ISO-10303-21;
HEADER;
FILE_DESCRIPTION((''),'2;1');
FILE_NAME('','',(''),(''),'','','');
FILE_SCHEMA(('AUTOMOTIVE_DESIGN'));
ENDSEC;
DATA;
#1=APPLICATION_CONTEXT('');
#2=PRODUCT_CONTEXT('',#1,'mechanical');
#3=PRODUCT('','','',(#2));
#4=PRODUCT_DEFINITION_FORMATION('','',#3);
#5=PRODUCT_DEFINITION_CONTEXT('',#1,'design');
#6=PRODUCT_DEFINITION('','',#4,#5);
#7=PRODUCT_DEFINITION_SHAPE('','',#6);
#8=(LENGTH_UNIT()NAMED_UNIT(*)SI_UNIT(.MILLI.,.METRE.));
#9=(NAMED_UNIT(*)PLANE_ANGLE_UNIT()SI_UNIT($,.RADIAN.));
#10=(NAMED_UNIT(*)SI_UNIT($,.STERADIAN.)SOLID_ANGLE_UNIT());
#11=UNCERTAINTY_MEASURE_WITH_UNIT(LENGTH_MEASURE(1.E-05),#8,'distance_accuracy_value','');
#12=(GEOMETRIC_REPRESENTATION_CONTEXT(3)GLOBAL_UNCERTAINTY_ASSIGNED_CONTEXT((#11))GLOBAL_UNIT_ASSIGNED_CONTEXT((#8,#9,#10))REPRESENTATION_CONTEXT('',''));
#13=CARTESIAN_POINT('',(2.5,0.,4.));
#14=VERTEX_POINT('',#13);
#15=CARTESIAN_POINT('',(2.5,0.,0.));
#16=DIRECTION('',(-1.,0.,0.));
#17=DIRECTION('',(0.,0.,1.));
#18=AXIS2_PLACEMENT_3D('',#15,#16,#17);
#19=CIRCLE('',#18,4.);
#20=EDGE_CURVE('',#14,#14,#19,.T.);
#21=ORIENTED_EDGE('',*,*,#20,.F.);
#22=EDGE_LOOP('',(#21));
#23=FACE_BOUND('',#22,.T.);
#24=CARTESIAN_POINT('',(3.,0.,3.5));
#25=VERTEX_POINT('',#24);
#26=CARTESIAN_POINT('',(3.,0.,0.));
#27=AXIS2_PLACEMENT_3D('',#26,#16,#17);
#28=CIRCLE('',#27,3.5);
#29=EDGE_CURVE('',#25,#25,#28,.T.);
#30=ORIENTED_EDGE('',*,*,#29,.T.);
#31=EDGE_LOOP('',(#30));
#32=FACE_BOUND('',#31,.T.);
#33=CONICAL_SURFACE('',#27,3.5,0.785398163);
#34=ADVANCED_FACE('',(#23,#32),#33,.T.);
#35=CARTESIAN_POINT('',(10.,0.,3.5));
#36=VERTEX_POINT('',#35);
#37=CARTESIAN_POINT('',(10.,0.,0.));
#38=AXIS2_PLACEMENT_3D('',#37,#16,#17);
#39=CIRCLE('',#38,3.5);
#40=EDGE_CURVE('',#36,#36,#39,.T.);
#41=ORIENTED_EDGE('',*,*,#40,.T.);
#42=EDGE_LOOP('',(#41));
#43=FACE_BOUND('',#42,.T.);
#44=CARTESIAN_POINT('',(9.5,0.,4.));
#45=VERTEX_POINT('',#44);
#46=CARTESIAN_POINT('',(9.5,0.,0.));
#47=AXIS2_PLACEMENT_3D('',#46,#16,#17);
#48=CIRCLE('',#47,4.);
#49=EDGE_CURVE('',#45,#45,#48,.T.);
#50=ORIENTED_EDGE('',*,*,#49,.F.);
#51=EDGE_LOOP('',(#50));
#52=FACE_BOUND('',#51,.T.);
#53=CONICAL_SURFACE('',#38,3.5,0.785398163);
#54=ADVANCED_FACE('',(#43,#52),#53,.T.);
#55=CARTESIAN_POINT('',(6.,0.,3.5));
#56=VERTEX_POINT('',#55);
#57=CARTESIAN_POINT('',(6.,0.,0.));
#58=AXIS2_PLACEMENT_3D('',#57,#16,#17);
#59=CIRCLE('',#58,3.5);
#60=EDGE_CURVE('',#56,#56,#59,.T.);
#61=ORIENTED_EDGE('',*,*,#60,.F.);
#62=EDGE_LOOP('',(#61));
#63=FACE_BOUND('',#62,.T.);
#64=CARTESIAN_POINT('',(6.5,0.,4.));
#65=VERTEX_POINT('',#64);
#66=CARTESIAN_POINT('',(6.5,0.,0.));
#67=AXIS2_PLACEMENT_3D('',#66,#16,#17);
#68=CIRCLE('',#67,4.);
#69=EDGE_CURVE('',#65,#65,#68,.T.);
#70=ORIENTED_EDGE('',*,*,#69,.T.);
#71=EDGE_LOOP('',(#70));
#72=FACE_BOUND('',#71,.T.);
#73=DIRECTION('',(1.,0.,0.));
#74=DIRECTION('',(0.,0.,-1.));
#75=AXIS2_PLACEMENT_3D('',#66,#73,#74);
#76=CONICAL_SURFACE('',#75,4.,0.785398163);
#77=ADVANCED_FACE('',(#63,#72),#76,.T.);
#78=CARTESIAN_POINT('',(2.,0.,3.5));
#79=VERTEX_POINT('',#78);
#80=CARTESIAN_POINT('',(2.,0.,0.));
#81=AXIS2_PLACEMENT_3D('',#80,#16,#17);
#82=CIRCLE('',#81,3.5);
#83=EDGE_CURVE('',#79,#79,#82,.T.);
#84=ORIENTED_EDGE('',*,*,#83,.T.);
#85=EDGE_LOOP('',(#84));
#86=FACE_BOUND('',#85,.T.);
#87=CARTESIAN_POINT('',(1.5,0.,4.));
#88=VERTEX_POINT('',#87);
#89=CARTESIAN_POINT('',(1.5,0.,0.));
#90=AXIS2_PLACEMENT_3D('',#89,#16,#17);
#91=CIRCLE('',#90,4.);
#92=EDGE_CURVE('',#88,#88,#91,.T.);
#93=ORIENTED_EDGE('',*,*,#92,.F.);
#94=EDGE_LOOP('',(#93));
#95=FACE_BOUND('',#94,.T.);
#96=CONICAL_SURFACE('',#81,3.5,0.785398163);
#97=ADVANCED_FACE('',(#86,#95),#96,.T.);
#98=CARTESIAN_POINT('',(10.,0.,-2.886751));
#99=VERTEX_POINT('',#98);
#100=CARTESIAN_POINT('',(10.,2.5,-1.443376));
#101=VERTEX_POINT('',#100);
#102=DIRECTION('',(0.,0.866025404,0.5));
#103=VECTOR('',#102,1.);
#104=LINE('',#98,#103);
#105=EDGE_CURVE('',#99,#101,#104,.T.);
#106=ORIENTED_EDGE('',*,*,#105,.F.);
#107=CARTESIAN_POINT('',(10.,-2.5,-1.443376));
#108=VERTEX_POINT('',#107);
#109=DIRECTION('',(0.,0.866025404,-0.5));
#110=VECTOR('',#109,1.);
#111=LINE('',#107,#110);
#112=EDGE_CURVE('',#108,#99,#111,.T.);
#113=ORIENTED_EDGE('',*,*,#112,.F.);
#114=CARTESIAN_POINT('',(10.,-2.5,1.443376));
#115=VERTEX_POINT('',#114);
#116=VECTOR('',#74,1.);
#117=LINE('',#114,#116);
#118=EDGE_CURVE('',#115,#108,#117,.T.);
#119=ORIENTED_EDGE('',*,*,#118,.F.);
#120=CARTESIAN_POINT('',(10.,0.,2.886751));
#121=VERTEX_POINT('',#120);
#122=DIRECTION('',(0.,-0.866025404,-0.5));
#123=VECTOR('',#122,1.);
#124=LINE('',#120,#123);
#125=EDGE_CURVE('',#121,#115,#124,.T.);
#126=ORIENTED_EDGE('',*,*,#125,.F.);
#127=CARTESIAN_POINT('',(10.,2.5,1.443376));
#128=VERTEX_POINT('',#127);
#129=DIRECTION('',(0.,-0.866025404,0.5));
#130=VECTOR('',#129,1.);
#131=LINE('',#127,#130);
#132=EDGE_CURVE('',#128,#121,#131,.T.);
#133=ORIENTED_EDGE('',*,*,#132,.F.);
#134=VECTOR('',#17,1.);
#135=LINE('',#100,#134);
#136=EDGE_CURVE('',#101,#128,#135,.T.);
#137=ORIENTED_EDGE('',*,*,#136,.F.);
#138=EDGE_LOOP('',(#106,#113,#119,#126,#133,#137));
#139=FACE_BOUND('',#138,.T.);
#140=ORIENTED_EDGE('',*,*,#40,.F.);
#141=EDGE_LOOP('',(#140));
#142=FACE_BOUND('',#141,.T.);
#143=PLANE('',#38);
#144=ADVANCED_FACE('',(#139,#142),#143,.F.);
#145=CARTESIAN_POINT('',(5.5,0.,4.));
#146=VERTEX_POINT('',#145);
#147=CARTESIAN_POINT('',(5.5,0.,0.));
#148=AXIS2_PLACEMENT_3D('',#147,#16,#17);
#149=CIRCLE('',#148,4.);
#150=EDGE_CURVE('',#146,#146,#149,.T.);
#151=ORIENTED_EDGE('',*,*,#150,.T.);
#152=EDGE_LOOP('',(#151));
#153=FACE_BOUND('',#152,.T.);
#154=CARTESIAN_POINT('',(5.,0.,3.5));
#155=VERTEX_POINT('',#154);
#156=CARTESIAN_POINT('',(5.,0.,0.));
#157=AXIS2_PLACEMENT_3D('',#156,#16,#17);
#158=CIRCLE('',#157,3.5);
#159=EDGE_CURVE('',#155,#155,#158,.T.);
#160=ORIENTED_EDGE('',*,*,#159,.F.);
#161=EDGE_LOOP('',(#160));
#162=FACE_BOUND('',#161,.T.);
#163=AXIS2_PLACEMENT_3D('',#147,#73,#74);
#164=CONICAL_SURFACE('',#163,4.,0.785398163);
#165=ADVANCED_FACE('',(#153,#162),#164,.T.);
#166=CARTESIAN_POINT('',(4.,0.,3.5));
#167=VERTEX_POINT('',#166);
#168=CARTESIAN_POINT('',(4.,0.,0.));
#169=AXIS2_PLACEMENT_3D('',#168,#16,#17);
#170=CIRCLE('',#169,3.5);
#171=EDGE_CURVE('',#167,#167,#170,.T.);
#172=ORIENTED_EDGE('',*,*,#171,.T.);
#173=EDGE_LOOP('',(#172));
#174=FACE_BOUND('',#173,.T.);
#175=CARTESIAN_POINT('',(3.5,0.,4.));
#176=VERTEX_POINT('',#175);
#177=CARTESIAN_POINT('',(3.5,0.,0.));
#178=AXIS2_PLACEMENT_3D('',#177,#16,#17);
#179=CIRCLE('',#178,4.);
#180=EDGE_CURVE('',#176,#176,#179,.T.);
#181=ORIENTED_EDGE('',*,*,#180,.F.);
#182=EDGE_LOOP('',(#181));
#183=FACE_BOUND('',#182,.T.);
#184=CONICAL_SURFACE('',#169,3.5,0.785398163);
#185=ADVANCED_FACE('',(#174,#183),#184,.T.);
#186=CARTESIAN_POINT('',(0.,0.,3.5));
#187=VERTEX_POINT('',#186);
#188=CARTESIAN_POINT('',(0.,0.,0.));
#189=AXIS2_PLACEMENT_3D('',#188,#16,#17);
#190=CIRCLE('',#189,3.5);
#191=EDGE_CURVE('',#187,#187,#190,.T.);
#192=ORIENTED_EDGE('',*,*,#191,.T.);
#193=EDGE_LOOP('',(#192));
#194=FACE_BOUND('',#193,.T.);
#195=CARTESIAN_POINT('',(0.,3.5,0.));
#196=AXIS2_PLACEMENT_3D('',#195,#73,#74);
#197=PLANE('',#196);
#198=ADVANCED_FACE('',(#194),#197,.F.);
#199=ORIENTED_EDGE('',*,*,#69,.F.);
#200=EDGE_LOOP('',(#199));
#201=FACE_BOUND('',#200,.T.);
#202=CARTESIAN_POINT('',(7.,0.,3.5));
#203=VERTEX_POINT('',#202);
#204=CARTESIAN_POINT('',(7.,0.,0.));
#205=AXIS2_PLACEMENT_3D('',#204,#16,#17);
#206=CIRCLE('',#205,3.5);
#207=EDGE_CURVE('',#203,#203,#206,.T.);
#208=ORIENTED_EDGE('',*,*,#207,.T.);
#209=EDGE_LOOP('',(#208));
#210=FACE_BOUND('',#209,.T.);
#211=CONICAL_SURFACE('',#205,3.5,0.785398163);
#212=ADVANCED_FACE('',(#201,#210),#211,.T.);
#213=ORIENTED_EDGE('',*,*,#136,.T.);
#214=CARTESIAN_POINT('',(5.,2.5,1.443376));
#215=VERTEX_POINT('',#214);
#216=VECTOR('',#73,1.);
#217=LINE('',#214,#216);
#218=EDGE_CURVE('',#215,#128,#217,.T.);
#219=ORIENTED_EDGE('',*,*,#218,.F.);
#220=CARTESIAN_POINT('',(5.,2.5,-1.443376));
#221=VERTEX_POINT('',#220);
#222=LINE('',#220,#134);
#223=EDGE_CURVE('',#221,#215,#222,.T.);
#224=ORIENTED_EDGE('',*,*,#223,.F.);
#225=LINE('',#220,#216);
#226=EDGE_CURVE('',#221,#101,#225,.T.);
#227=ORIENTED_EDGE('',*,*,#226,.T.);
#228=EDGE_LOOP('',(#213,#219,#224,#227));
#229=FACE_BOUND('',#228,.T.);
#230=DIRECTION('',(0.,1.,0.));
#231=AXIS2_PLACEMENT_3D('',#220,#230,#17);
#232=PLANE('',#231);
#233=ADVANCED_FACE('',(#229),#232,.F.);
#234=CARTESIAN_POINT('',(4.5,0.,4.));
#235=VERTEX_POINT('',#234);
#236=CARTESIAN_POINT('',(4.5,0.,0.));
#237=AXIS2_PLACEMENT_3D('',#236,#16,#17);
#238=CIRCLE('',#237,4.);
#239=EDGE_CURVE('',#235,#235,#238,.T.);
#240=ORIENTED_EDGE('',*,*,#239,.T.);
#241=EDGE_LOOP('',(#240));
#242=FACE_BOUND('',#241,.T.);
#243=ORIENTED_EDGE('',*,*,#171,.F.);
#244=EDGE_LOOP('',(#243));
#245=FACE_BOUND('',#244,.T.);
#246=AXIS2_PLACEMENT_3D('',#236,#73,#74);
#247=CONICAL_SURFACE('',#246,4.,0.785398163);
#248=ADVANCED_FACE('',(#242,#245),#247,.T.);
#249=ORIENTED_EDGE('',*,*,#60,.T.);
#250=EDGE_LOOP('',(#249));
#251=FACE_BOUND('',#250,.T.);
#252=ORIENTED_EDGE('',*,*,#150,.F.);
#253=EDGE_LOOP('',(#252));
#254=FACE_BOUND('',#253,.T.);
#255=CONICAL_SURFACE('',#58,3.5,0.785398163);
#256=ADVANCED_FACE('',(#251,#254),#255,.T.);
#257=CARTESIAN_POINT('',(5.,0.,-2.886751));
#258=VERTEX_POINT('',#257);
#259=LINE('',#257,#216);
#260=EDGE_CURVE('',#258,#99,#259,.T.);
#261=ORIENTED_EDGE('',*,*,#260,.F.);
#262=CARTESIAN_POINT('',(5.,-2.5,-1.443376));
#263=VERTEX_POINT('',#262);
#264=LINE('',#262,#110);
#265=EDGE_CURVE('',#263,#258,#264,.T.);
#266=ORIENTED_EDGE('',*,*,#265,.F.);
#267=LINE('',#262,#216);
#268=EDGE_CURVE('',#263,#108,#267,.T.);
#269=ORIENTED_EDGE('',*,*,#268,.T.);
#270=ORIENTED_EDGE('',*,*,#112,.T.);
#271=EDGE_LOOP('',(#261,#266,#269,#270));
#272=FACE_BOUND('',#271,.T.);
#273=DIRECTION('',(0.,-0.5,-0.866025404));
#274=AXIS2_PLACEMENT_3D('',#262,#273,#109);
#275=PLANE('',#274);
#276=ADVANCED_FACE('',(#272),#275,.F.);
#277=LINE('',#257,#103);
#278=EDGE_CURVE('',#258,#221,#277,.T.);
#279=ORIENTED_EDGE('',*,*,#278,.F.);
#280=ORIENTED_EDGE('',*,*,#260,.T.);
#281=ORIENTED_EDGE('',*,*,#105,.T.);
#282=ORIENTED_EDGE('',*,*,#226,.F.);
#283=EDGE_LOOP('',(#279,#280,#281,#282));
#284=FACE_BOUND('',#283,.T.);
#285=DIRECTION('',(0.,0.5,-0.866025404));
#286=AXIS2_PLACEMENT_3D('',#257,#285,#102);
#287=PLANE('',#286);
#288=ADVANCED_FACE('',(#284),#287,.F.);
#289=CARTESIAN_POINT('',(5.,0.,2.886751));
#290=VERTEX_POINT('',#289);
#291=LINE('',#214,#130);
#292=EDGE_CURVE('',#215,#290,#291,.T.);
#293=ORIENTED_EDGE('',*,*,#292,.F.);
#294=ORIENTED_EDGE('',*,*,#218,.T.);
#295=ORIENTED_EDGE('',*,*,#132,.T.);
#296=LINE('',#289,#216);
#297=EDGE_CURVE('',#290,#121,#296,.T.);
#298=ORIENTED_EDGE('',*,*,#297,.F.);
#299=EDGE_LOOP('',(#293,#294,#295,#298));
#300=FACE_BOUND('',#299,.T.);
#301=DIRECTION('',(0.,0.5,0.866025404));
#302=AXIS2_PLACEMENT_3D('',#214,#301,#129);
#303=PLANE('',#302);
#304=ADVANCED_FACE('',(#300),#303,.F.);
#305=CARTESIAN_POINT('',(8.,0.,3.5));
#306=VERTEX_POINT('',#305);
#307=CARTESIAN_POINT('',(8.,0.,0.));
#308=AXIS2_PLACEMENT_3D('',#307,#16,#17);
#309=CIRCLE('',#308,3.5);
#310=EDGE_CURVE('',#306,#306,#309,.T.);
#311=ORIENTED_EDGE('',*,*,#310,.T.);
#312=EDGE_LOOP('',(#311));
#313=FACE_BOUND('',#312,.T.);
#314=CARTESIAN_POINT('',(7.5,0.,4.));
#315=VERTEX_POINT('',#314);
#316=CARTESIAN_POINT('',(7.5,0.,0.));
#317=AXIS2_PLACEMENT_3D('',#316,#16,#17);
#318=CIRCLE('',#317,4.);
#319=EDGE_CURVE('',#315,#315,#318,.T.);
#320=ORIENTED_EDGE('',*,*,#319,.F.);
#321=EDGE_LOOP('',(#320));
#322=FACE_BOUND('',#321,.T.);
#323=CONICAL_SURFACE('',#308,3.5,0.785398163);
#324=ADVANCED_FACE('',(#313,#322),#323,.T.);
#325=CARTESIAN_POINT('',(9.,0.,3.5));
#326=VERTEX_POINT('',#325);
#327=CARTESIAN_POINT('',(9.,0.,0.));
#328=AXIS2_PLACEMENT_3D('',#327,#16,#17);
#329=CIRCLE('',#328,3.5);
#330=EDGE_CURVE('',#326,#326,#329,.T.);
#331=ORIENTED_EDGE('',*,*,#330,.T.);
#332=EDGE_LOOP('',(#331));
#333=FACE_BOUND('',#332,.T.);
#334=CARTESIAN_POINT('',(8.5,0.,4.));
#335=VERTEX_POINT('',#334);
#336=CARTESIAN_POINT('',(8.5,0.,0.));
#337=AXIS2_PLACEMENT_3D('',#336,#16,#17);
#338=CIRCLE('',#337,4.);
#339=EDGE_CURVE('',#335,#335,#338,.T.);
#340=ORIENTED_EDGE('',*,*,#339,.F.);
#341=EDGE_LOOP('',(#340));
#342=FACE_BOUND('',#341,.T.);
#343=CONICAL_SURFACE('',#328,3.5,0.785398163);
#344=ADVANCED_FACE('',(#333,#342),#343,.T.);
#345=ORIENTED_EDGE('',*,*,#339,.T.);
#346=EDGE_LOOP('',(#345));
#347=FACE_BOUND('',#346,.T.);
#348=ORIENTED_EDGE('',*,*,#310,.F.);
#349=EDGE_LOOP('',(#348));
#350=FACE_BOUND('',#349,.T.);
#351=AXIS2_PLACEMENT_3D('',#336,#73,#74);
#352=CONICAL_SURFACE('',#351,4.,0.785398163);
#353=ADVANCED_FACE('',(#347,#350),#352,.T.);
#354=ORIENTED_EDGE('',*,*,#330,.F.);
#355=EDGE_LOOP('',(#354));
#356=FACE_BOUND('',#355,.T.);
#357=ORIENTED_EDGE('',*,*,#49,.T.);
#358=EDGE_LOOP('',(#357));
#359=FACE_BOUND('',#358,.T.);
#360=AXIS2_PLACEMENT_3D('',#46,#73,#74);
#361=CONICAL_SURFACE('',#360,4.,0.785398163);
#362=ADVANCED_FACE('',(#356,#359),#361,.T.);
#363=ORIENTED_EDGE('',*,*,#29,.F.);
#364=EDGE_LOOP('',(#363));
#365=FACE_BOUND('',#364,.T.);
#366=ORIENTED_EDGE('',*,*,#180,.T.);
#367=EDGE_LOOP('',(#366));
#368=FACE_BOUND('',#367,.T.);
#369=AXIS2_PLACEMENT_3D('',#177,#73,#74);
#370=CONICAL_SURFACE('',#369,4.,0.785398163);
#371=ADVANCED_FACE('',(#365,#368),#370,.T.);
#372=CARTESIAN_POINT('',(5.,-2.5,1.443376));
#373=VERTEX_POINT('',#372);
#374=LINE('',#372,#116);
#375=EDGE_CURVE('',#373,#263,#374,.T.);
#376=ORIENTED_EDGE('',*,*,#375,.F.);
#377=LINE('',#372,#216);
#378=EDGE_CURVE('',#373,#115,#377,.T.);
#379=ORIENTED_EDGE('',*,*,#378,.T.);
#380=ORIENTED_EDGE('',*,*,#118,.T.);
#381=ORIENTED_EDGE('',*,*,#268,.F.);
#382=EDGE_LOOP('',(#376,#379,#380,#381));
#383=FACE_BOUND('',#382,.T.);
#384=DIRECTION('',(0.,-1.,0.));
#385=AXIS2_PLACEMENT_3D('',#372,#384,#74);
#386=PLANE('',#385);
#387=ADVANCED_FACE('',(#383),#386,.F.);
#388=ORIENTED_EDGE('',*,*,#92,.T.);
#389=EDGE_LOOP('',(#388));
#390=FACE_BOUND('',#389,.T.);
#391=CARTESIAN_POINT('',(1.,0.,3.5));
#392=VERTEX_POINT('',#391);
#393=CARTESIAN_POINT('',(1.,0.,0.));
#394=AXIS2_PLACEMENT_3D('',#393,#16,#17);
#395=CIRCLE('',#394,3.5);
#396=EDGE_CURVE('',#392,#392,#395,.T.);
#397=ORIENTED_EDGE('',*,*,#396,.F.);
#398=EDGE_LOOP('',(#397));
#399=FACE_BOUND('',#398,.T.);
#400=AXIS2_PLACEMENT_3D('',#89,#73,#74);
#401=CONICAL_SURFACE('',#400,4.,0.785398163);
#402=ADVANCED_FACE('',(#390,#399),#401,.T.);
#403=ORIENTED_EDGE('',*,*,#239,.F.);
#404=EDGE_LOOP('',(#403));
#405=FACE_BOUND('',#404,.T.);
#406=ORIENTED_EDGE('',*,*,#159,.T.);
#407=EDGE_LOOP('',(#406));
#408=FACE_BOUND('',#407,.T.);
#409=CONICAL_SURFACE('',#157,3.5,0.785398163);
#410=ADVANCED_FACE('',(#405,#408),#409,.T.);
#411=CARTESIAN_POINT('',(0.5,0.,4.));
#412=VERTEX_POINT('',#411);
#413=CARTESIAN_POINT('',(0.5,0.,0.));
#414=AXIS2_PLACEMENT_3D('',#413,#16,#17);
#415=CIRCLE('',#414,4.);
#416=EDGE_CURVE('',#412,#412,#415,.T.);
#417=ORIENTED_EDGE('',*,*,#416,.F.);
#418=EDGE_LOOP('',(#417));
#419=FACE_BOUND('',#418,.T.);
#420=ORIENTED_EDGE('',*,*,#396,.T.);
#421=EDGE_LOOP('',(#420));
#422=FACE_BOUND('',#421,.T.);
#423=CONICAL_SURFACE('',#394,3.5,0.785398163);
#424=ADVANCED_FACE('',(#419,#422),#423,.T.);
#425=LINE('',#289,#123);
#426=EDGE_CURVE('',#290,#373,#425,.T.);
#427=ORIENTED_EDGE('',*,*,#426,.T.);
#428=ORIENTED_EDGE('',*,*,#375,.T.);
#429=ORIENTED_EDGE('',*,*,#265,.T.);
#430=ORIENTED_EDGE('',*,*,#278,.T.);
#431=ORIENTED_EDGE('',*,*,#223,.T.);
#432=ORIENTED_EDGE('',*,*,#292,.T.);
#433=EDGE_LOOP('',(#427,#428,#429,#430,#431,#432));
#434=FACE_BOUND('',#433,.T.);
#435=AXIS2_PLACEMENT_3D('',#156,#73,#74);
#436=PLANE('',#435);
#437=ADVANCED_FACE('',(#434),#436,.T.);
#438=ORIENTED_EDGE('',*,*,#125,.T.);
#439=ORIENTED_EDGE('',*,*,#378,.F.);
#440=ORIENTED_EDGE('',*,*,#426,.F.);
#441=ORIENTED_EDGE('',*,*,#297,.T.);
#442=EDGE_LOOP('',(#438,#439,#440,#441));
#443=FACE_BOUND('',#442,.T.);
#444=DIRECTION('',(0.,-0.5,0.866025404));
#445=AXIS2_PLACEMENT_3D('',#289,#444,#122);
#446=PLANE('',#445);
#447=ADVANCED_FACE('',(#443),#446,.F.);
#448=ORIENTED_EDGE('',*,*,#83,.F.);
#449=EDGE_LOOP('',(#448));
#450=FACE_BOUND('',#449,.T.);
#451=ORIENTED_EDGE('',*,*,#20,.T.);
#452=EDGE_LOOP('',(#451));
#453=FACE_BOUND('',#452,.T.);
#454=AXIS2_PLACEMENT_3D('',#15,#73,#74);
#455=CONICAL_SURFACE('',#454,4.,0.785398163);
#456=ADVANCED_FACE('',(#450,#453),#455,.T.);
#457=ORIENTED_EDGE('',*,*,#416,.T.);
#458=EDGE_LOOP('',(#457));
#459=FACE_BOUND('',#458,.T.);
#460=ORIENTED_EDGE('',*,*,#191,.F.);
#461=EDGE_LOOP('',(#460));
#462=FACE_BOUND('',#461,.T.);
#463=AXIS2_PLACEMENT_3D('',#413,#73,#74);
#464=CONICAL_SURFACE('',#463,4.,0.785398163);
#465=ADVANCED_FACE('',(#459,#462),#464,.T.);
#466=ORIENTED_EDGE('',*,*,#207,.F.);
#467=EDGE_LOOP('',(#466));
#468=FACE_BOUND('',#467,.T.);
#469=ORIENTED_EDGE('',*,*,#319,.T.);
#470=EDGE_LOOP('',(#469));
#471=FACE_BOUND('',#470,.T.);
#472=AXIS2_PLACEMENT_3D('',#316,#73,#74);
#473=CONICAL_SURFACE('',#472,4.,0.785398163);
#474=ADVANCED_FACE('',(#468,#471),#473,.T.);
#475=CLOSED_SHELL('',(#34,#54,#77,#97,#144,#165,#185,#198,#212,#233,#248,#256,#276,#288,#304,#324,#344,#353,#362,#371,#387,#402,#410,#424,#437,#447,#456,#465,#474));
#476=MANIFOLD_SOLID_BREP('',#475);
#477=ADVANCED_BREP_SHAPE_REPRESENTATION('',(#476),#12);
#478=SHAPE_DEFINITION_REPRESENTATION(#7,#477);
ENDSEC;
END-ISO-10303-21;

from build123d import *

# Parameters (mm, degrees)
CUT_EXTRUDE_1_DEPTH = 5


with BuildPart() as part:
    # 草图1 → 旋转1 (revolve)
    with BuildSketch(Plane.XY, mode=Mode.PRIVATE) as revolve_1_sk:
        Polygon((10, 0), (10, 3.5), (9.5, 4), (9, 3.5), (8.5, 4), (8, 3.5), (7.5, 4), (7, 3.5), (6.5, 4), (6, 3.5), (5.5, 4), (5, 3.5), (4.5, 4), (4, 3.5), (3.5, 4), (3, 3.5), (2.5, 4), (2, 3.5), (1.5, 4), (1, 3.5), (0.5, 4), (0, 3.5), (0, 0), align=None)
    revolve(revolve_1_sk.sketch.rotate(Axis((0.5, 0, 0), (1, 0, 0)), 90), axis=Axis((0.5, 0, 0), (1, 0, 0)))

    # 草图3 → 切除-拉伸1 (cut)
    with BuildSketch(Plane(origin=(10, 0, 0), x_dir=(0, 0, -1), z_dir=(1, 0, 0))):
        Polygon((2.886751346, 0), (1.443375673, 2.5), (-1.443375673, 2.5), (-2.886751346, 0), (-1.443375673, -2.5), (1.443375673, -2.5), align=None)
    extrude(amount=-CUT_EXTRUDE_1_DEPTH, mode=Mode.SUBTRACT)


solid = part.part
